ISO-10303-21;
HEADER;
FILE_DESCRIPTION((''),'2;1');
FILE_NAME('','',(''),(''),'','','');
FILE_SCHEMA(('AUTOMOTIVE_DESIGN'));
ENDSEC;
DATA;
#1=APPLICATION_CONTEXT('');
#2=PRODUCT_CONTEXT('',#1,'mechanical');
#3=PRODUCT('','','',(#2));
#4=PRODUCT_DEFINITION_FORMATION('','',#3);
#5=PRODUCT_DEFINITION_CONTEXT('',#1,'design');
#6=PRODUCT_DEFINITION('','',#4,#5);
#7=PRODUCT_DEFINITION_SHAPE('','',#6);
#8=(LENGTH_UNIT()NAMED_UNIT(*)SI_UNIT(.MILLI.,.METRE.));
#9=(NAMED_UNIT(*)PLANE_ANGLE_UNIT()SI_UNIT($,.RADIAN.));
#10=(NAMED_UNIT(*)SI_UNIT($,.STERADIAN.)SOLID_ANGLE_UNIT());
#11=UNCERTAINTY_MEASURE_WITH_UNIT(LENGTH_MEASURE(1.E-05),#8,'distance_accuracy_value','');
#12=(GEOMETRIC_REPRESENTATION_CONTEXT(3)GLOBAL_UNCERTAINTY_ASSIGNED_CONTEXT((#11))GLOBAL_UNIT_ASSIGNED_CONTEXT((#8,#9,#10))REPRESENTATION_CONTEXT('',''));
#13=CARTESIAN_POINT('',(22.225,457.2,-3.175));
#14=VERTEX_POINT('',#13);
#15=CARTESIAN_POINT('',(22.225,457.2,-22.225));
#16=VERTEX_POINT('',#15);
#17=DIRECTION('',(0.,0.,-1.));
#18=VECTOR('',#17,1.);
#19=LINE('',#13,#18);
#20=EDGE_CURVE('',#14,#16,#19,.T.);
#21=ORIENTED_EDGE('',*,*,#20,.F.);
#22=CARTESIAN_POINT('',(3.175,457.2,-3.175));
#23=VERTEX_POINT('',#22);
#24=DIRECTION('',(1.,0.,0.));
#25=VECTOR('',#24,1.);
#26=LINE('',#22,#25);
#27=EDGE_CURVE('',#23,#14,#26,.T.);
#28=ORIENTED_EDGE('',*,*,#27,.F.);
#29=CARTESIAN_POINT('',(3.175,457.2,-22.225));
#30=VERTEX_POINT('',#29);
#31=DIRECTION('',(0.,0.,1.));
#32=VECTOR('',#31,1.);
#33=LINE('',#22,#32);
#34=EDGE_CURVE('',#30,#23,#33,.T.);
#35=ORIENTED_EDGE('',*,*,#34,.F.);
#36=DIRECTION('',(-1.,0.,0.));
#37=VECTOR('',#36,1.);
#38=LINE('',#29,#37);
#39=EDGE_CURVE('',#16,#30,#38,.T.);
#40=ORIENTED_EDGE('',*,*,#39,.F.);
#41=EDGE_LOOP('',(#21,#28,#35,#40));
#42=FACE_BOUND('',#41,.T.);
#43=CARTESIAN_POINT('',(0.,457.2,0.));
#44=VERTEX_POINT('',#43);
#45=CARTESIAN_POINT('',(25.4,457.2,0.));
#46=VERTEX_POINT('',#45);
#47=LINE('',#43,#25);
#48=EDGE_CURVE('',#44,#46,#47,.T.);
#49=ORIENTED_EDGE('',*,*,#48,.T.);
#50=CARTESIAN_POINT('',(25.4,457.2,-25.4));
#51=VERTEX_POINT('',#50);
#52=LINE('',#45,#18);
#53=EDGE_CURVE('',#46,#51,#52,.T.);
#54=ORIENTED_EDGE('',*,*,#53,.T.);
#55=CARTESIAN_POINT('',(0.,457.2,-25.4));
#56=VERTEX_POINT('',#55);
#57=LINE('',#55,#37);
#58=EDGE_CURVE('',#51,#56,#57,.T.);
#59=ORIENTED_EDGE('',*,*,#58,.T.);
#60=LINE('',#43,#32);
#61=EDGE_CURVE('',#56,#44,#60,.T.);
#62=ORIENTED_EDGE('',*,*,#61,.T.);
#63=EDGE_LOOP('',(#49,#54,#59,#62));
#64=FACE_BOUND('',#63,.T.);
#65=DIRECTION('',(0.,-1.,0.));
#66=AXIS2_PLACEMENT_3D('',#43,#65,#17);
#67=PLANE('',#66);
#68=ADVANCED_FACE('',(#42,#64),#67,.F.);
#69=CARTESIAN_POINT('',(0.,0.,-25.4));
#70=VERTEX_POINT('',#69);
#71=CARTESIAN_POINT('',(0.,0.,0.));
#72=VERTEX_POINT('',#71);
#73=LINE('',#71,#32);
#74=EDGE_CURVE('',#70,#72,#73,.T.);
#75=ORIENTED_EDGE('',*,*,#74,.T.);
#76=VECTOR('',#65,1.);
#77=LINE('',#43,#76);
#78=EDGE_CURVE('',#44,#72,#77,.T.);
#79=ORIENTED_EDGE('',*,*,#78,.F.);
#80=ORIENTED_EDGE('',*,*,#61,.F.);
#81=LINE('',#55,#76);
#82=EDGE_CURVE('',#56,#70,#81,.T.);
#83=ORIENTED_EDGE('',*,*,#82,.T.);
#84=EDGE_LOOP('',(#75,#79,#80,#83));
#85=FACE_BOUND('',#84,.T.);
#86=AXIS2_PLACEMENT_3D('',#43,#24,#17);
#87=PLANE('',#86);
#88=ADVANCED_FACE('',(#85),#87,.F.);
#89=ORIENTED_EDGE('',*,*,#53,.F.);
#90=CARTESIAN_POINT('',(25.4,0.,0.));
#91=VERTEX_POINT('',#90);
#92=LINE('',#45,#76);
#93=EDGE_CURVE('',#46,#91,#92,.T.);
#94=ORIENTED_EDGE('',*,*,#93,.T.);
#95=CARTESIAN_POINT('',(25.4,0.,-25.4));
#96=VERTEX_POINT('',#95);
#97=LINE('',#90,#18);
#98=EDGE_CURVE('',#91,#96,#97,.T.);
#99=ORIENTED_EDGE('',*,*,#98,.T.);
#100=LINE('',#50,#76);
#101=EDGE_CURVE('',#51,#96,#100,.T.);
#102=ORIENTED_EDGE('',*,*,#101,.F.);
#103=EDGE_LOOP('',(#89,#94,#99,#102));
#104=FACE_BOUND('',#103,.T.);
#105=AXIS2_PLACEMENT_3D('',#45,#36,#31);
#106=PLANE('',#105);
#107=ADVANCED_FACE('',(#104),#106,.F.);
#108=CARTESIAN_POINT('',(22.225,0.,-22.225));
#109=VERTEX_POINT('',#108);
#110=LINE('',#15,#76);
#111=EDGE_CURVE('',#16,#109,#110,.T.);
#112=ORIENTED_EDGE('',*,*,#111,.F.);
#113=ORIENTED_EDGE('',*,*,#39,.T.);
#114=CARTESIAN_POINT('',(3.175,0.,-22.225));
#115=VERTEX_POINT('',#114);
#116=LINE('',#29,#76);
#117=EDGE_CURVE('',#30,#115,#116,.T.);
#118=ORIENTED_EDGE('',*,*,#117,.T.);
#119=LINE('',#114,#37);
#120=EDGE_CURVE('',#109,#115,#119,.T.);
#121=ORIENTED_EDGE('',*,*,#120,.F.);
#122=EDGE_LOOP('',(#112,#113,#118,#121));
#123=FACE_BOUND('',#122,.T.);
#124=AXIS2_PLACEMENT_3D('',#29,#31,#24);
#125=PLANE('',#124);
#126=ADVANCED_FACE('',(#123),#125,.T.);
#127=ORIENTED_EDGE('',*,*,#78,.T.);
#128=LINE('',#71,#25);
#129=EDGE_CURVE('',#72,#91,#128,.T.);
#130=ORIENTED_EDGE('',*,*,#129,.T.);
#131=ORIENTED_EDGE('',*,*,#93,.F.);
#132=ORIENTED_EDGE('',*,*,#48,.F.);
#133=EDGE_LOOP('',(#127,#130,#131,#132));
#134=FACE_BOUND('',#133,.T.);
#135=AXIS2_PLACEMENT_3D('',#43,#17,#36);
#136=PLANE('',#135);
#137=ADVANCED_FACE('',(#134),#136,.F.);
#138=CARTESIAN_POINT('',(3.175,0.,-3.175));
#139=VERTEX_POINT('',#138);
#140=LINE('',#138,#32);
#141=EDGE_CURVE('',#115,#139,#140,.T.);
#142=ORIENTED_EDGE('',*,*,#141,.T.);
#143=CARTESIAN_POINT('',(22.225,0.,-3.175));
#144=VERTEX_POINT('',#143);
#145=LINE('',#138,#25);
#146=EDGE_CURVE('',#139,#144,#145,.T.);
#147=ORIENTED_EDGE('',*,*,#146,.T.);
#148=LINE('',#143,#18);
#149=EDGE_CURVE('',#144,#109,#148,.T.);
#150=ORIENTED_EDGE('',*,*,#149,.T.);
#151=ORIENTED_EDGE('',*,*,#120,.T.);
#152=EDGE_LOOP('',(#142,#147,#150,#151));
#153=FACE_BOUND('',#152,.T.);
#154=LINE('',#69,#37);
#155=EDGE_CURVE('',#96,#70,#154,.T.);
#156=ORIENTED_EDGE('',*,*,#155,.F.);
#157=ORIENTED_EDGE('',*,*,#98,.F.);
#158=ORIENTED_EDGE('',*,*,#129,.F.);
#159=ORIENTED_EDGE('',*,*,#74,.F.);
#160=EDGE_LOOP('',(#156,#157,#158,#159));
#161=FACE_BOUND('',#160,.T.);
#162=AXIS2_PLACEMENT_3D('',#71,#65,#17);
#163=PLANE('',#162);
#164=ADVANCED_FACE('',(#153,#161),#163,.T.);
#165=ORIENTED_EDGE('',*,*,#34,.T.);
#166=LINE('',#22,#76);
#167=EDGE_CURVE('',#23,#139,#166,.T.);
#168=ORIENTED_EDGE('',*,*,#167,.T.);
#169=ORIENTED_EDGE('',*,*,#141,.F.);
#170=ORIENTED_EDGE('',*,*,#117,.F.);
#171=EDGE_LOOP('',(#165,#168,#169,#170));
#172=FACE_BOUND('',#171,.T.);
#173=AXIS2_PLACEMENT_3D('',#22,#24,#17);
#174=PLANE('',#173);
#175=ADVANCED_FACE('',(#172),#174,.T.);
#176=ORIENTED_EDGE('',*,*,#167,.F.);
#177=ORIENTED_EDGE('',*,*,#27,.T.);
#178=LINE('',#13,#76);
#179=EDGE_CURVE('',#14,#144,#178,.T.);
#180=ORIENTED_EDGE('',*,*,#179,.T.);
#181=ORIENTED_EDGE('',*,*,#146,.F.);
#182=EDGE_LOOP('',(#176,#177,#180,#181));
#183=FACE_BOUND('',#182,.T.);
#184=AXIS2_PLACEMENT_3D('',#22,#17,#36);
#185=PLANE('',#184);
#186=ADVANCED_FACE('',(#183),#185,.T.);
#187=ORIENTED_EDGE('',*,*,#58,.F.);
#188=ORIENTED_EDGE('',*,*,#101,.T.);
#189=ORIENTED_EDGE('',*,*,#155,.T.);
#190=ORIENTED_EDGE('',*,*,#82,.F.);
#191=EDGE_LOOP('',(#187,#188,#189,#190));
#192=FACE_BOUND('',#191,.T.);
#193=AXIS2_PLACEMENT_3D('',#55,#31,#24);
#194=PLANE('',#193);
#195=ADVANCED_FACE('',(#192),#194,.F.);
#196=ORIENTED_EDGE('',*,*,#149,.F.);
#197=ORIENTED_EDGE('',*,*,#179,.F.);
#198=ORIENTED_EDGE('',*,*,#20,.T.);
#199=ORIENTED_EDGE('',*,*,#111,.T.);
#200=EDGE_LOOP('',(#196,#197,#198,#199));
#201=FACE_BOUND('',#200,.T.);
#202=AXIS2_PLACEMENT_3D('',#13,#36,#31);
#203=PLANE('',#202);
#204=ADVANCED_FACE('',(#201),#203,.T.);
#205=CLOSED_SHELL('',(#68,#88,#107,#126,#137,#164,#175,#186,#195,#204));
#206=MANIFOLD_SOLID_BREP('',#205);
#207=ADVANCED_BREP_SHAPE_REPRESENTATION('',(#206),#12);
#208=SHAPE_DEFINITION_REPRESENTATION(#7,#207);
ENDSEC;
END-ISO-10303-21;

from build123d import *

# Parameters (mm, degrees)
SKETCH1_W           = 25.4
SKETCH1_H           = 25.4
SKETCH1_W_2         = 19.05
SKETCH1_H_2         = 19.05
BOSS_EXTRUDE1_DEPTH = 457.2


with BuildPart() as part:
    # Sketch1 → Boss-Extrude1 (new body)
    with BuildSketch(Plane(origin=(0, 0, 0), x_dir=(1, 0, 0), z_dir=(0, 1, 0))):
        with Locations((12.7, 12.7)):
            Rectangle(SKETCH1_W, SKETCH1_H)
        with Locations((12.7, 12.7)):
            Rectangle(SKETCH1_W_2, SKETCH1_H_2, mode=Mode.SUBTRACT)
    extrude(amount=BOSS_EXTRUDE1_DEPTH)


solid = part.part
